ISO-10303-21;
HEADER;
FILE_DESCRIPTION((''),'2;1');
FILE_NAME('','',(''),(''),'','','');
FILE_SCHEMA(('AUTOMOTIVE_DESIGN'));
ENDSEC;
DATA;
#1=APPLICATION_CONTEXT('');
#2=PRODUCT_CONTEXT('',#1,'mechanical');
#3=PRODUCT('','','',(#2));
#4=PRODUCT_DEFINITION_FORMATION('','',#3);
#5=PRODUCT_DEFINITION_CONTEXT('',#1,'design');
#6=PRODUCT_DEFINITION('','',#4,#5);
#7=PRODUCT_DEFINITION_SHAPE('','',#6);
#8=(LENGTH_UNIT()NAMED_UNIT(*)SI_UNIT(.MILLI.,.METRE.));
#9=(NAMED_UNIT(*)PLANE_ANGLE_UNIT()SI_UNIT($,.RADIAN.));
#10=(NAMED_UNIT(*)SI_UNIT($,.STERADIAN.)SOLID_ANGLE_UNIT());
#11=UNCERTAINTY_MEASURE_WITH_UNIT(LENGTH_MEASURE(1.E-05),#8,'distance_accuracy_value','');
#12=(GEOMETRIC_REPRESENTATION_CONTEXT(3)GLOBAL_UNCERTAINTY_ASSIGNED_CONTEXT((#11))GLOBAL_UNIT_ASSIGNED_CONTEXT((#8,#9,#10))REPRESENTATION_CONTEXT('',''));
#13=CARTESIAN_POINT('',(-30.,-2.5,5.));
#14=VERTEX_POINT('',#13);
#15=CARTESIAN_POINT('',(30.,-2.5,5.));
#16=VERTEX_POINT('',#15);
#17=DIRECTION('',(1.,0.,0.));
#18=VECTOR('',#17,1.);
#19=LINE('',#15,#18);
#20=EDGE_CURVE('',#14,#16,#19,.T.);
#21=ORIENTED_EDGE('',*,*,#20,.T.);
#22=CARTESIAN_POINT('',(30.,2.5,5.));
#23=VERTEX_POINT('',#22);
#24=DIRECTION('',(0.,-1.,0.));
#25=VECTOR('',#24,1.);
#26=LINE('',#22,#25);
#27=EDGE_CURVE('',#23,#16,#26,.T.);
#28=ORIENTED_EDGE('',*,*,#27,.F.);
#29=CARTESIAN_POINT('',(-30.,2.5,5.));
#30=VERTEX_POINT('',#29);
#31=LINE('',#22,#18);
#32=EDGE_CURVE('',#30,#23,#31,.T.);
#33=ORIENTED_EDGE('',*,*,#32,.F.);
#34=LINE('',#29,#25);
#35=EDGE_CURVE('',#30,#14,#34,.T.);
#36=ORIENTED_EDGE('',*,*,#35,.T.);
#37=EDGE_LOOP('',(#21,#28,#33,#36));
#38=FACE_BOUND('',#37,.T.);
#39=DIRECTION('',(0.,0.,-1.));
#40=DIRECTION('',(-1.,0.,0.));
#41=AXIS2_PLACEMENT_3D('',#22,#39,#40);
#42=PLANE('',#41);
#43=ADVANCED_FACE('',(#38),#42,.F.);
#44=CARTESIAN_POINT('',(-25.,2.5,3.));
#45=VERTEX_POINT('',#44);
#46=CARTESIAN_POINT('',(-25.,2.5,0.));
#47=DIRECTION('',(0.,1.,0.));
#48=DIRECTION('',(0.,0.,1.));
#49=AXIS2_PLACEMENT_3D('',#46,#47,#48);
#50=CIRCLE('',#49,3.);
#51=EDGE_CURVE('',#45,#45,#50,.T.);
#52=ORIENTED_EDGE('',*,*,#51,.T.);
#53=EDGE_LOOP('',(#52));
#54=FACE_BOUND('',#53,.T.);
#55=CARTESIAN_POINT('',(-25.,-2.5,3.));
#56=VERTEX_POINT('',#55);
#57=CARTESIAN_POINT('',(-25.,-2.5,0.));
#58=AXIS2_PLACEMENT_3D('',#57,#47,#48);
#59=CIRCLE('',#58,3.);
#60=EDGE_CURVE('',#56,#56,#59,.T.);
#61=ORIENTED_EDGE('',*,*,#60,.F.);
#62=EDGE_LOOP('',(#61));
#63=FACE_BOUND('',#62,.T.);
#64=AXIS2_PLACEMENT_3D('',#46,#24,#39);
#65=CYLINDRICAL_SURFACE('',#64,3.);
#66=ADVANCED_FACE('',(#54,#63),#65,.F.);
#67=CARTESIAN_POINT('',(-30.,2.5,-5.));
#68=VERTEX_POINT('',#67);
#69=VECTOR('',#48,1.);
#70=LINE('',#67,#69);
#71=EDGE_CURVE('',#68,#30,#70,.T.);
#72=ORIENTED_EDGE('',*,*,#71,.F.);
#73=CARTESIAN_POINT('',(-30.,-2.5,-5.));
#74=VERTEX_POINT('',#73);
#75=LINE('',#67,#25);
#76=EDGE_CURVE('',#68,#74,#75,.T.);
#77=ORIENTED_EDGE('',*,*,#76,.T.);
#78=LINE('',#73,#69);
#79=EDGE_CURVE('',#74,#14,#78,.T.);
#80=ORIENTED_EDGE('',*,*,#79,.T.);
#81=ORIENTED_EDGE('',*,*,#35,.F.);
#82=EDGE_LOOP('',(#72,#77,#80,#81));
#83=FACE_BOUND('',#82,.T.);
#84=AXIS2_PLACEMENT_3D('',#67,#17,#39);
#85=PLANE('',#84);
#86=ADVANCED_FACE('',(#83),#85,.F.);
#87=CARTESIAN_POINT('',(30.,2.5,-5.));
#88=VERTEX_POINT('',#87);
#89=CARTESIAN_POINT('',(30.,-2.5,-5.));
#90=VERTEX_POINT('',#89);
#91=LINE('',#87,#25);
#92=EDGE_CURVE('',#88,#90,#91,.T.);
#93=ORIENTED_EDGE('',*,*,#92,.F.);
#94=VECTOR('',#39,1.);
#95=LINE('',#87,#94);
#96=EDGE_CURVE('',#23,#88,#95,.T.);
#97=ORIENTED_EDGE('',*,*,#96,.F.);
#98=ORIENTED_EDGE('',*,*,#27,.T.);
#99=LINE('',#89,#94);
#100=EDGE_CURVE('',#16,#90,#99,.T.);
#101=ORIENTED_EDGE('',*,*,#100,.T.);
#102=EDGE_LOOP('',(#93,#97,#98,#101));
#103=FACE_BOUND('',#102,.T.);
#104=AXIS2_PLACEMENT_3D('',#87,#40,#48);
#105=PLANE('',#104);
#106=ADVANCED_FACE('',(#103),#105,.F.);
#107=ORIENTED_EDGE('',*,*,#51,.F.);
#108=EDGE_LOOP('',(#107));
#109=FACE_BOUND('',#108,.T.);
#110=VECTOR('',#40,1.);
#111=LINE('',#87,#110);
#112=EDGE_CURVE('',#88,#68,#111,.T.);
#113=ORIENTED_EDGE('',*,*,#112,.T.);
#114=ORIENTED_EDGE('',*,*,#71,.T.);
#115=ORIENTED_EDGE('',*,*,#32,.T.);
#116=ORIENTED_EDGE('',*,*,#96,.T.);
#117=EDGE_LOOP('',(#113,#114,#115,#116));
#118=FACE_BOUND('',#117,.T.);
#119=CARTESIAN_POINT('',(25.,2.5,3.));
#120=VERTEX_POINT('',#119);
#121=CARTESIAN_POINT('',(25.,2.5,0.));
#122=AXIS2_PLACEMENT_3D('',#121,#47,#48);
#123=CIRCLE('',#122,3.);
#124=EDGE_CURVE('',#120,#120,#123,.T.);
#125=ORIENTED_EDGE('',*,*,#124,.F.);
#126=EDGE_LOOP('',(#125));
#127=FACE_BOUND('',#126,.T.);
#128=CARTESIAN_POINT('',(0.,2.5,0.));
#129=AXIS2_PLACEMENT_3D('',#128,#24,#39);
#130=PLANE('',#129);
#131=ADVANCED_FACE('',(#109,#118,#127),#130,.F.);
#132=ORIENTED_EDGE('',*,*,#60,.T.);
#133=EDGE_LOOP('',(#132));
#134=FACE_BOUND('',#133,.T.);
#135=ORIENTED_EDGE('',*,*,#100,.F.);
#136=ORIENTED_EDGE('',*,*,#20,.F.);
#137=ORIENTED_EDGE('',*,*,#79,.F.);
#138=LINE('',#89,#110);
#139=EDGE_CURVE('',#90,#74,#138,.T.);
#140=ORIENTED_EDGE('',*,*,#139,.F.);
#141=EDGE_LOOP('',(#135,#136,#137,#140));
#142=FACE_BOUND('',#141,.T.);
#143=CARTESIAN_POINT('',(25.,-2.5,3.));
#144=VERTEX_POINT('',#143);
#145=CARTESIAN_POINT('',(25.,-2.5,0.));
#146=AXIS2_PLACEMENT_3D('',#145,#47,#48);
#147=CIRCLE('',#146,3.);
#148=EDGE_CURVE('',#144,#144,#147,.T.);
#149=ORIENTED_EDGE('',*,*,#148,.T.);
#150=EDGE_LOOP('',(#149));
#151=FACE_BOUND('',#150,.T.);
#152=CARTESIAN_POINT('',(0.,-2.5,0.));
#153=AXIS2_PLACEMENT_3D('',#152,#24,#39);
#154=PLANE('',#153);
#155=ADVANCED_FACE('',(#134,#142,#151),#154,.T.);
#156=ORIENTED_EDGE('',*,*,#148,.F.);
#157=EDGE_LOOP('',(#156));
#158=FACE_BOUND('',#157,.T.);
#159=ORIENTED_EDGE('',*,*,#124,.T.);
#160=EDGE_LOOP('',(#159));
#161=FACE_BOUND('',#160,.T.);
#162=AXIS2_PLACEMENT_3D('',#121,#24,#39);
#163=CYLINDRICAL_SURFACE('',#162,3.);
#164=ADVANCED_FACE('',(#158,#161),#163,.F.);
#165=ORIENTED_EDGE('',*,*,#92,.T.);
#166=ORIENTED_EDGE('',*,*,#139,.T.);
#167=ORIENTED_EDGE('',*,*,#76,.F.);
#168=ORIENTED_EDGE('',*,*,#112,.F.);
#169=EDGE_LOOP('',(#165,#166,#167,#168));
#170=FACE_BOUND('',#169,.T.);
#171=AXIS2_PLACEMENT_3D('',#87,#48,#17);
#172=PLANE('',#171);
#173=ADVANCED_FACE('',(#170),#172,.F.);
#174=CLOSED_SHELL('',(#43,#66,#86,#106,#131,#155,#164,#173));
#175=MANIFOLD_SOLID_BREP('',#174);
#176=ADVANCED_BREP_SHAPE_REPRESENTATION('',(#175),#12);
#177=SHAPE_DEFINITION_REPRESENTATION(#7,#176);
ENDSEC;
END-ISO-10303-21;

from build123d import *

# Parameters (mm, degrees)
SKETCH1_W           = 60
SKETCH1_H           = 10
SKETCH1_R           = 3
BOSS_EXTRUDE1_DEPTH = 2.5


with BuildPart() as part:
    # Sketch1 → Boss-Extrude1 (new, symmetric)
    with BuildSketch(Plane(origin=(0, 0, 0), x_dir=(1, 0, 0), z_dir=(0, 1, 0))):
        Rectangle(SKETCH1_W, SKETCH1_H)
        with Locations(Location((-25, 0, 0), (0, 0, 270))):
            Circle(SKETCH1_R, mode=Mode.SUBTRACT)
        with Locations(Location((25, 0, 0), (0, 0, 270))):
            Circle(SKETCH1_R, mode=Mode.SUBTRACT)
    extrude(amount=BOSS_EXTRUDE1_DEPTH, both=True)


solid = part.part
